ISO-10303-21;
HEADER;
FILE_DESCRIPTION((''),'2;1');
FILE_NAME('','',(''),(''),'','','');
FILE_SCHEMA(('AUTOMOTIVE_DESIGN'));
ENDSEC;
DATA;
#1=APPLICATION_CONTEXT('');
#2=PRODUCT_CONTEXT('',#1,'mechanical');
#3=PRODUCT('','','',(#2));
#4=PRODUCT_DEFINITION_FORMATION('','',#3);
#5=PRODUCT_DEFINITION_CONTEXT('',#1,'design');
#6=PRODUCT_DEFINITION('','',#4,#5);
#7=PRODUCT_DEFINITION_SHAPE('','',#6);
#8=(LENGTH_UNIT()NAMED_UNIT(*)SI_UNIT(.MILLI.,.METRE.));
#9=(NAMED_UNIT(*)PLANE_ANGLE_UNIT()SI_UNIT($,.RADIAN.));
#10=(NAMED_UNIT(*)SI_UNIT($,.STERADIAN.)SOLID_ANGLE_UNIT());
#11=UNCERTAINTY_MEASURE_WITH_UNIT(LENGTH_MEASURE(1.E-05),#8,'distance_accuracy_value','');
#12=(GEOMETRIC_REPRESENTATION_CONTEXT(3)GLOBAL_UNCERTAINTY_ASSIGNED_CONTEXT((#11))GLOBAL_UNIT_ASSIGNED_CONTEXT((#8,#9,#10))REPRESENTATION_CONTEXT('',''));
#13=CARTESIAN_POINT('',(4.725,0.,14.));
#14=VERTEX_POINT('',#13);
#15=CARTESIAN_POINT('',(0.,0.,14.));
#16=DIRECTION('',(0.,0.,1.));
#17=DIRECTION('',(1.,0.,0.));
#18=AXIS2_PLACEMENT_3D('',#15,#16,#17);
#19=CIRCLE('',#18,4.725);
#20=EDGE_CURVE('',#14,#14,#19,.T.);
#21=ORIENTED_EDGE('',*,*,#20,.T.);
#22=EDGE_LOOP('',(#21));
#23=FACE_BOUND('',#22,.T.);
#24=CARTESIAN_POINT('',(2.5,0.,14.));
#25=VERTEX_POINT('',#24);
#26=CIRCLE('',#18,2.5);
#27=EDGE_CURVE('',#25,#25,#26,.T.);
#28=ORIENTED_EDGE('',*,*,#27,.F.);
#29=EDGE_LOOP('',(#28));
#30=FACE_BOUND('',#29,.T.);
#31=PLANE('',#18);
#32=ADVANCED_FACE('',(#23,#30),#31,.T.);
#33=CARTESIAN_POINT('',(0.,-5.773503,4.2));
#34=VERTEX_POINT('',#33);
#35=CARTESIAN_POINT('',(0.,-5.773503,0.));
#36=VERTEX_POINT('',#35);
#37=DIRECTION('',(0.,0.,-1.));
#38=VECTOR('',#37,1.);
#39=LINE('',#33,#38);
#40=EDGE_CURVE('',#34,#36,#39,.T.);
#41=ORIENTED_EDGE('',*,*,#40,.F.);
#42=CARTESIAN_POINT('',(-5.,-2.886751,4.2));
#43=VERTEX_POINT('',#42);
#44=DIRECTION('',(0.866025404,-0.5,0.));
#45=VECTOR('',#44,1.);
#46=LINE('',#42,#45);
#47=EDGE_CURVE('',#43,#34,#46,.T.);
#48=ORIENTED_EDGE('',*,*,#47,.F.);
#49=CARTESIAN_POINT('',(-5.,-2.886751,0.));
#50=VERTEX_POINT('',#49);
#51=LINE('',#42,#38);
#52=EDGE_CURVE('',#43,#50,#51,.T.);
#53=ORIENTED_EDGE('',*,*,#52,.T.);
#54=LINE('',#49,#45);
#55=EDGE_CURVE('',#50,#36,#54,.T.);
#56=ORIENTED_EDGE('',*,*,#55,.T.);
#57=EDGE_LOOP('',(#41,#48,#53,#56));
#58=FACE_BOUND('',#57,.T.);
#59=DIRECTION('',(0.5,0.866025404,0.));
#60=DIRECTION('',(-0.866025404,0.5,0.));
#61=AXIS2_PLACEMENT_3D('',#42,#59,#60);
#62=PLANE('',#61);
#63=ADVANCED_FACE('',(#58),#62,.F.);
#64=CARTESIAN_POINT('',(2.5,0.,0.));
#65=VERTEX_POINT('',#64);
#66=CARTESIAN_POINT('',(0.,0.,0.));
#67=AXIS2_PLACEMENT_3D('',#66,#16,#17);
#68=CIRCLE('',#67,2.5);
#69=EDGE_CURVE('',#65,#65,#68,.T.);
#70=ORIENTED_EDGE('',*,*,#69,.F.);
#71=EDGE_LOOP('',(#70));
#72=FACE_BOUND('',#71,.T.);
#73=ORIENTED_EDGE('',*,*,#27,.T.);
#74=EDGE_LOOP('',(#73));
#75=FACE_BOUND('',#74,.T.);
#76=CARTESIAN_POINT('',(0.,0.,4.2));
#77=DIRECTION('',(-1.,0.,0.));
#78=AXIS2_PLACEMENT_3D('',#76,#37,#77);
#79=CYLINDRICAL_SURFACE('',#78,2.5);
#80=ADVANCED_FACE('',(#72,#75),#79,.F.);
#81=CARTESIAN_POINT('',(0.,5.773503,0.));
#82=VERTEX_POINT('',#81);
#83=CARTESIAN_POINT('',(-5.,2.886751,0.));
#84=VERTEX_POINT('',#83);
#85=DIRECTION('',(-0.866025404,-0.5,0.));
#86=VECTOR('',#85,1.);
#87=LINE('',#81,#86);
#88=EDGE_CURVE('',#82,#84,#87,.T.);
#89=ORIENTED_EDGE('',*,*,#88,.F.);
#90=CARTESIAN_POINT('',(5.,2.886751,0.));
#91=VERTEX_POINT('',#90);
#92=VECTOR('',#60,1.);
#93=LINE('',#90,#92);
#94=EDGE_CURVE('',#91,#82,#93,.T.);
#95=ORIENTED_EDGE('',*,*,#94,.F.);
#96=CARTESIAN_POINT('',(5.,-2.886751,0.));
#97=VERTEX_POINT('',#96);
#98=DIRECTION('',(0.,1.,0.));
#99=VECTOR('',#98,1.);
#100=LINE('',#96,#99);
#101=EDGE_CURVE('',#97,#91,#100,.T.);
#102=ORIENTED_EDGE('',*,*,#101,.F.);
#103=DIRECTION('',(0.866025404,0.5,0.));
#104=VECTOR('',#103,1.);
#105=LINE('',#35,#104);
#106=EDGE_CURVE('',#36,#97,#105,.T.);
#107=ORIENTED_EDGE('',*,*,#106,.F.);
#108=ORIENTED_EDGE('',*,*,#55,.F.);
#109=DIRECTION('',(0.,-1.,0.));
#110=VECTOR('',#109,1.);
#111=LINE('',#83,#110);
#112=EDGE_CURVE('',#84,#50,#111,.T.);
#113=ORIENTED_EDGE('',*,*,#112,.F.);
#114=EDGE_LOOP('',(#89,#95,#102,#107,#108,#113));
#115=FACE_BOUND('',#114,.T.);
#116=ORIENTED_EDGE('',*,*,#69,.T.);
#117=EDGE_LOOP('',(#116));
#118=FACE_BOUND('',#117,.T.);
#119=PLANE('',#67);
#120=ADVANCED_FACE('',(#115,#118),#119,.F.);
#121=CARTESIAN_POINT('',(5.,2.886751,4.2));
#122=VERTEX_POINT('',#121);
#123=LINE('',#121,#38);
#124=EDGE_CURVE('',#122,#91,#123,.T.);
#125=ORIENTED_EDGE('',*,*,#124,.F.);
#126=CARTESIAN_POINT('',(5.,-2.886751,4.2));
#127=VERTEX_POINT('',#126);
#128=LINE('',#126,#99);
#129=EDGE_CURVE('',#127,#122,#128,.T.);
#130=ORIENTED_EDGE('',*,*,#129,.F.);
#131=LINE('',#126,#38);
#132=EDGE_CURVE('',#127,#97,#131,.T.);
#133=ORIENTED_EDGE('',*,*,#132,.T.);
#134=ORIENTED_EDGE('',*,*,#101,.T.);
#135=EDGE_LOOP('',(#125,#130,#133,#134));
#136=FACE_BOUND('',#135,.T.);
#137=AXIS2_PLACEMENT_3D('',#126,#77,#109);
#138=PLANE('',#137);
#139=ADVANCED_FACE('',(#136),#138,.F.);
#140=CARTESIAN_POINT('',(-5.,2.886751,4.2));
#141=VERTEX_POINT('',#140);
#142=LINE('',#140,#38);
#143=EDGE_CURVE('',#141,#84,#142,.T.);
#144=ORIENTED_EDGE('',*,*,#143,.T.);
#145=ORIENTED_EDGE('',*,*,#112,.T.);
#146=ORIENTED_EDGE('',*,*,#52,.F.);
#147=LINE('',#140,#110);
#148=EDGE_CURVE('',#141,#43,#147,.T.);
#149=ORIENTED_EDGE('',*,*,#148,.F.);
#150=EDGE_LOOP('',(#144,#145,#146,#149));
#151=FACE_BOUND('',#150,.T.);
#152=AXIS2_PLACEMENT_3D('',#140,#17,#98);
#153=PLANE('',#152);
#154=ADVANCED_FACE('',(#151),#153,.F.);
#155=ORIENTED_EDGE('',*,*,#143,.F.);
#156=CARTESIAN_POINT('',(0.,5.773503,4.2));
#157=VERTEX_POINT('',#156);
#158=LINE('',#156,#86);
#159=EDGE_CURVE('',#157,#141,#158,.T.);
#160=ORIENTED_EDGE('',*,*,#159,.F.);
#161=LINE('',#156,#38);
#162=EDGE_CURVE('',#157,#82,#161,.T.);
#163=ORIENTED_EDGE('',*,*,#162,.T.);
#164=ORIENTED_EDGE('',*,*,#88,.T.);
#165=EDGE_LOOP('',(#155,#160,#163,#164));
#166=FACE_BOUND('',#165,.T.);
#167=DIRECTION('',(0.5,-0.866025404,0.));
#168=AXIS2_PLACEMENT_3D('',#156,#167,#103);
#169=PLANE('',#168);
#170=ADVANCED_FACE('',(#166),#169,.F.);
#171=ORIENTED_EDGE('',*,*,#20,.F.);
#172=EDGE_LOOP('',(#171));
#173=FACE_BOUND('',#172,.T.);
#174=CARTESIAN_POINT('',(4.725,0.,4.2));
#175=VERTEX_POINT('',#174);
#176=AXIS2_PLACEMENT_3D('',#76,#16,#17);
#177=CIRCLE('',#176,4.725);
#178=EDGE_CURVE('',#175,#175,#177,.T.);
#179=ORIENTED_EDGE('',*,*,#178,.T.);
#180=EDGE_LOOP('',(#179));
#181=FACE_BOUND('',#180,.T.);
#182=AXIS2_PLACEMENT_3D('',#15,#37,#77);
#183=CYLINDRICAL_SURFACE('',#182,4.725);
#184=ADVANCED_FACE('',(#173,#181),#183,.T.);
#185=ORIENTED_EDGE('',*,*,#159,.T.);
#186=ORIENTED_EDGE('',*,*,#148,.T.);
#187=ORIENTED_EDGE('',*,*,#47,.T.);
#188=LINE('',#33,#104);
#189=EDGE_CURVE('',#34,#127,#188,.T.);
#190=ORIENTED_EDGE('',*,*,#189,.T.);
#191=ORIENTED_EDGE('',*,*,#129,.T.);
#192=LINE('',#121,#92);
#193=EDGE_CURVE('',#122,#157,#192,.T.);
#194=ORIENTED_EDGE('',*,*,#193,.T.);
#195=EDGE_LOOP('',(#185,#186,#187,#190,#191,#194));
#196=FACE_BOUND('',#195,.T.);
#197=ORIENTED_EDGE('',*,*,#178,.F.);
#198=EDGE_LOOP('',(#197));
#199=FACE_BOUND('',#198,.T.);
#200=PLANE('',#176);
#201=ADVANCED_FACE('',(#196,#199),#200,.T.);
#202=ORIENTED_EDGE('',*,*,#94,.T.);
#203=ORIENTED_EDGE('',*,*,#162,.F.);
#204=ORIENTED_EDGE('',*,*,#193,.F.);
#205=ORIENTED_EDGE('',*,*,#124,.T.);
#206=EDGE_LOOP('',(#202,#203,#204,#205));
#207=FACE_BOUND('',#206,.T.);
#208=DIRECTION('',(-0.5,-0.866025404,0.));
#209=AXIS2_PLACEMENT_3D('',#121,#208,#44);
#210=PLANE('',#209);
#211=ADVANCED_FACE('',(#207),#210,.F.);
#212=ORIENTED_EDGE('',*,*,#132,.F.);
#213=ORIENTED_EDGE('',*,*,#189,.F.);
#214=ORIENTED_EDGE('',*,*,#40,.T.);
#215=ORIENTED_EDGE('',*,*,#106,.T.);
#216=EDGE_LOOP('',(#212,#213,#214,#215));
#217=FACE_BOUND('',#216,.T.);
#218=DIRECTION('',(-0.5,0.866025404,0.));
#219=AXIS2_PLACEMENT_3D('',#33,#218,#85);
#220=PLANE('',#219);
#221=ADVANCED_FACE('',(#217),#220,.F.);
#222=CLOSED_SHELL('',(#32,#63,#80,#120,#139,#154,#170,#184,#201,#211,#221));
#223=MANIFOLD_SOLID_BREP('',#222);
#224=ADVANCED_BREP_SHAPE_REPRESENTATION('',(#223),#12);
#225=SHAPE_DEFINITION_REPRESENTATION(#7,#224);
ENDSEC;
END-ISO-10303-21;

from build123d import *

# Parameters (mm, degrees)
SKETCH1_R           = 2.5
BOSS_EXTRUDE1_DEPTH = 4.2
SKETCH2_R           = 4.725
SKETCH2_R_2         = 2.5
BOSS_EXTRUDE2_DEPTH = 9.8


with BuildPart() as part:
    # Sketch1 → Boss-Extrude1 (new body)
    with BuildSketch(Plane.XY):
        Polygon((5, 2.886751346), (0, 5.773502692), (-5, 2.886751346), (-5, -2.886751346), (0, -5.773502692), (5, -2.886751346), align=None)
        Circle(SKETCH1_R, mode=Mode.SUBTRACT)
    extrude(amount=BOSS_EXTRUDE1_DEPTH)

    # Sketch2 → Boss-Extrude2 (add)
    with BuildSketch(Plane.XY.offset(4.2)):
        Circle(SKETCH2_R)
        Circle(SKETCH2_R_2, mode=Mode.SUBTRACT)
    extrude(amount=BOSS_EXTRUDE2_DEPTH)


solid = part.part
